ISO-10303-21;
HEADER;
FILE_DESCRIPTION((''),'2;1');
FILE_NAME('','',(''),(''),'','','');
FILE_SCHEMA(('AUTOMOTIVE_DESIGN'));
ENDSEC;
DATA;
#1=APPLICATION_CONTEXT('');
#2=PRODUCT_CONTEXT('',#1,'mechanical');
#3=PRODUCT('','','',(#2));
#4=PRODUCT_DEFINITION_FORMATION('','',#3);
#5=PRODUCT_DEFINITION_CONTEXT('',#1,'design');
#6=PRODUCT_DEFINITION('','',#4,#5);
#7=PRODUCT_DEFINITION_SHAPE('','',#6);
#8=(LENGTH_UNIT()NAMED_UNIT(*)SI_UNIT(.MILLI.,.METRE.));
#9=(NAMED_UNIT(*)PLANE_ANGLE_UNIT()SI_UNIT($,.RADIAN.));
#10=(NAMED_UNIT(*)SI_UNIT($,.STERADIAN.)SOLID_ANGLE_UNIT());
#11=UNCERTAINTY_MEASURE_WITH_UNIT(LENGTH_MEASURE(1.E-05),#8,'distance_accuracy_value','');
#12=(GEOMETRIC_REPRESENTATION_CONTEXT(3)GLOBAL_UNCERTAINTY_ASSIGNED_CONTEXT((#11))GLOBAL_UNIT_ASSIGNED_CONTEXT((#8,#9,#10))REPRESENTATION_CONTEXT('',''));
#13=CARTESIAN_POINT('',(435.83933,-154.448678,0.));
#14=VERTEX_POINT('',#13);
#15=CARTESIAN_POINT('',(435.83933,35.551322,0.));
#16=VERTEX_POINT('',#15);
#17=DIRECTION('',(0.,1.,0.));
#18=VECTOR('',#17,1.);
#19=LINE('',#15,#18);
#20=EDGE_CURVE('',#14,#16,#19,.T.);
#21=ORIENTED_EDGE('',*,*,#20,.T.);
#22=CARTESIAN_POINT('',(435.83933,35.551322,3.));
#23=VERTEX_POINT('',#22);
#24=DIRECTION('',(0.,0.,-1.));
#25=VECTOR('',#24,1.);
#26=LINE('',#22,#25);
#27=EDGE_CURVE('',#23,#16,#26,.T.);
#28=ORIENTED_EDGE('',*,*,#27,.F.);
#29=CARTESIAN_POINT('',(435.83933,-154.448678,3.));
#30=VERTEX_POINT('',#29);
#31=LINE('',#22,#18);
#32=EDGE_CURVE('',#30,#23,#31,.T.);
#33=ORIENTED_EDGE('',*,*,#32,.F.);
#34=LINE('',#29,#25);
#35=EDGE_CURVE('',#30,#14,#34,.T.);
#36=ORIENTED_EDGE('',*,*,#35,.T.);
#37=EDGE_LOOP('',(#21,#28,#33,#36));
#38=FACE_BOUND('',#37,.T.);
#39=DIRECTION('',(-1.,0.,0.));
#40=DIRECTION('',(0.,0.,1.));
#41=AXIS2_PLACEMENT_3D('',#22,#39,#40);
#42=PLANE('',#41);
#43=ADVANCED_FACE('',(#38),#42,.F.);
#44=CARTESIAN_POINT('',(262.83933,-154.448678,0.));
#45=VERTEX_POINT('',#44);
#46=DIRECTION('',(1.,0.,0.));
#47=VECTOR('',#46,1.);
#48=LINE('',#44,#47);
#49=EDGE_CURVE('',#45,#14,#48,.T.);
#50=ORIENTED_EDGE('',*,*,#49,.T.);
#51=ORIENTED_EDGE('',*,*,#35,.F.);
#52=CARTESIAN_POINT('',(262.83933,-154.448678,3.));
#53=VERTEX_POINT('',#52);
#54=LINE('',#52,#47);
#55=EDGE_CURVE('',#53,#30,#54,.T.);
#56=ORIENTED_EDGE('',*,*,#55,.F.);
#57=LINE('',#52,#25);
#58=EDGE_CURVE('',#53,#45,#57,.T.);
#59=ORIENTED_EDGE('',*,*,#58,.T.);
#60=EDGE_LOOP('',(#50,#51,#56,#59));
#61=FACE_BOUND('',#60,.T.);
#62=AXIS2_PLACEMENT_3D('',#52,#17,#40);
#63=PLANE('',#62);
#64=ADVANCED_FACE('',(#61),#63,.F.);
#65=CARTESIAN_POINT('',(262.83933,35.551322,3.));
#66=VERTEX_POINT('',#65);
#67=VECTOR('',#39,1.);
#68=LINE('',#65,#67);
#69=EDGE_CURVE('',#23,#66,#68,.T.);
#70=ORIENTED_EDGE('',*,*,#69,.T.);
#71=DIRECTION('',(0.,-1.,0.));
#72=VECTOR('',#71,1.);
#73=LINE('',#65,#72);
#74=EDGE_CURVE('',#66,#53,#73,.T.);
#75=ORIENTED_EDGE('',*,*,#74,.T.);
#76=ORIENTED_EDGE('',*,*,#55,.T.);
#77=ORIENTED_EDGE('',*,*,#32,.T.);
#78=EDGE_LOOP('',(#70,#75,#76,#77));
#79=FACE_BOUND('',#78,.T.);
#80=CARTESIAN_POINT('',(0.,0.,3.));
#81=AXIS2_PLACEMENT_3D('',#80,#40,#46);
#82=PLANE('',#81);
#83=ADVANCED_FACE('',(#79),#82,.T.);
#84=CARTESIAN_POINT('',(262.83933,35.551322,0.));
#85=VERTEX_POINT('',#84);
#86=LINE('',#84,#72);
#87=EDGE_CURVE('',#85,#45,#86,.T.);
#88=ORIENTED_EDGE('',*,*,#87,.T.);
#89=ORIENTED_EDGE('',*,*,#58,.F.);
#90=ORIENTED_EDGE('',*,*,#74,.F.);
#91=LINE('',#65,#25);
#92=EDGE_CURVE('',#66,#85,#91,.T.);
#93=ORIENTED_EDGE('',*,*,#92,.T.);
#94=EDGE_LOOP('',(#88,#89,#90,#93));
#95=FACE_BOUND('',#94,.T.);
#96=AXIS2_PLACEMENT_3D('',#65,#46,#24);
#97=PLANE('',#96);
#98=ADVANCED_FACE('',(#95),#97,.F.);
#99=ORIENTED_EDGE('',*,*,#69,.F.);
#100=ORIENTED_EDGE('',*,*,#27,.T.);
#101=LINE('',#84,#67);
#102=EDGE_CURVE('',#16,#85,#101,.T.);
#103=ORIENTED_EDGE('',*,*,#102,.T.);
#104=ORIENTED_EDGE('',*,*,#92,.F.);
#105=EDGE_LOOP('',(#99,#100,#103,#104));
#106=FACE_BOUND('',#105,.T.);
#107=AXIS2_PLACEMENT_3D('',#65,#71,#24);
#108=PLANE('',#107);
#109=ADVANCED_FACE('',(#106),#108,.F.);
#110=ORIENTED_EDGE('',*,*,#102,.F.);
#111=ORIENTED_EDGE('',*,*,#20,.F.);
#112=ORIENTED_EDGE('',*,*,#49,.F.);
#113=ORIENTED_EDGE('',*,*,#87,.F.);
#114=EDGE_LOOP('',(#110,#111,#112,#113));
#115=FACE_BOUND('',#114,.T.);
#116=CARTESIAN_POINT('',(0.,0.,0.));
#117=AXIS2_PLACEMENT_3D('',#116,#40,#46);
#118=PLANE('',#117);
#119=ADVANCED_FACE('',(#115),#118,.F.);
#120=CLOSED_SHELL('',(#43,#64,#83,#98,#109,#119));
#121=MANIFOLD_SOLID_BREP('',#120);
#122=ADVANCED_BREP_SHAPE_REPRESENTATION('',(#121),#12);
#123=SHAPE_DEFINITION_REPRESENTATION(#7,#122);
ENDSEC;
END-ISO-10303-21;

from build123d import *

# Parameters (mm, degrees)
ESQUISSE1_W        = 173
ESQUISSE1_H        = 190
BOSS_EXTRU_1_DEPTH = 3


with BuildPart() as part:
    # Esquisse1 → Boss.-Extru.1 (new body)
    with BuildSketch(Plane.XY):
        with Locations((349.339330179, -59.448678033)):
            Rectangle(ESQUISSE1_W, ESQUISSE1_H)
    extrude(amount=BOSS_EXTRU_1_DEPTH)


solid = part.part
